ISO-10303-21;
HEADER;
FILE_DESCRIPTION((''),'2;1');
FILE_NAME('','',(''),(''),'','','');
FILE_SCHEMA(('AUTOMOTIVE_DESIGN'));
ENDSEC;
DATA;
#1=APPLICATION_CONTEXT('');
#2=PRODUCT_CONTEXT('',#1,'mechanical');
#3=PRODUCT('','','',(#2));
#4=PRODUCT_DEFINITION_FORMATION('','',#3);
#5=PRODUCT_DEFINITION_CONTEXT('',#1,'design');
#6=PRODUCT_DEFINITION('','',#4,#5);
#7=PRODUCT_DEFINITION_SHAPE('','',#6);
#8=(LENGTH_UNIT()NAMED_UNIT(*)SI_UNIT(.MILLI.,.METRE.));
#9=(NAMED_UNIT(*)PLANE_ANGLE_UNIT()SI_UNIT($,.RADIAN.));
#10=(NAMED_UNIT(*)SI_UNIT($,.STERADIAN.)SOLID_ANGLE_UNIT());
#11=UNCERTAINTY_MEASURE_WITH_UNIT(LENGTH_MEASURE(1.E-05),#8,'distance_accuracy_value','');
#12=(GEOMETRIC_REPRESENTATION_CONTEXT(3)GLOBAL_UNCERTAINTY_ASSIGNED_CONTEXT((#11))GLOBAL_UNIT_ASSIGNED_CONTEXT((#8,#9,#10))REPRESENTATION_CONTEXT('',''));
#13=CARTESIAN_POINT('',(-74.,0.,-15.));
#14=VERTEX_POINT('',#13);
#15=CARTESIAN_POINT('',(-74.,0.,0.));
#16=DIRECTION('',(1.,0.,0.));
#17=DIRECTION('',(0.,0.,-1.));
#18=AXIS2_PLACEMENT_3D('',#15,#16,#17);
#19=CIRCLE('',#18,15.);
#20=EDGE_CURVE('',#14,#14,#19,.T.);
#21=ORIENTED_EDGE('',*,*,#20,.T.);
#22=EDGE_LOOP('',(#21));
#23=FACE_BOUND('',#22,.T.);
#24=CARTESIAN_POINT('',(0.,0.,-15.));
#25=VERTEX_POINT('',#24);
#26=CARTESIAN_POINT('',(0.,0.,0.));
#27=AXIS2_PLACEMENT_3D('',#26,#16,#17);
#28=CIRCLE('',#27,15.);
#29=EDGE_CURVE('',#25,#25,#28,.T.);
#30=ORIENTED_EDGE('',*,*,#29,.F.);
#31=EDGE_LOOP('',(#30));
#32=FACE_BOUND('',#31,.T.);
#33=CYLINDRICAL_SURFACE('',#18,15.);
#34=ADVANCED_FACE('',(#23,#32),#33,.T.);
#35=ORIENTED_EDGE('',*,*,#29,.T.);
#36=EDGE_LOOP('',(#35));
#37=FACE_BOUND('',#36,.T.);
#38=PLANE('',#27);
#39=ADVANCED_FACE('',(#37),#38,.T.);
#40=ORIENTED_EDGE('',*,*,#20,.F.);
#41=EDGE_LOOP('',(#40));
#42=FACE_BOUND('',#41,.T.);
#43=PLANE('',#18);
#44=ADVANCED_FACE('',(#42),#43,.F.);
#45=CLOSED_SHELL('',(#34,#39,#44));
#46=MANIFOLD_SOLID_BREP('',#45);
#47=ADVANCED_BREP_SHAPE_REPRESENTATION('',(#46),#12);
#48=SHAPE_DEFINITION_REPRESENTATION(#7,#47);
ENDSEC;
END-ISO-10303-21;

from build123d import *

# Parameters (mm, degrees)
PIN_PROFILE_R     = 15
PIN_EXTRUDE_DEPTH = 74


with BuildPart() as part:
    # Pin Profile → Pin Extrude (new body)
    with BuildSketch(Plane(origin=(0, 0, 0), x_dir=(0, 0, -1), z_dir=(1, 0, 0))):
        Circle(PIN_PROFILE_R)
    extrude(amount=-PIN_EXTRUDE_DEPTH)


solid = part.part
